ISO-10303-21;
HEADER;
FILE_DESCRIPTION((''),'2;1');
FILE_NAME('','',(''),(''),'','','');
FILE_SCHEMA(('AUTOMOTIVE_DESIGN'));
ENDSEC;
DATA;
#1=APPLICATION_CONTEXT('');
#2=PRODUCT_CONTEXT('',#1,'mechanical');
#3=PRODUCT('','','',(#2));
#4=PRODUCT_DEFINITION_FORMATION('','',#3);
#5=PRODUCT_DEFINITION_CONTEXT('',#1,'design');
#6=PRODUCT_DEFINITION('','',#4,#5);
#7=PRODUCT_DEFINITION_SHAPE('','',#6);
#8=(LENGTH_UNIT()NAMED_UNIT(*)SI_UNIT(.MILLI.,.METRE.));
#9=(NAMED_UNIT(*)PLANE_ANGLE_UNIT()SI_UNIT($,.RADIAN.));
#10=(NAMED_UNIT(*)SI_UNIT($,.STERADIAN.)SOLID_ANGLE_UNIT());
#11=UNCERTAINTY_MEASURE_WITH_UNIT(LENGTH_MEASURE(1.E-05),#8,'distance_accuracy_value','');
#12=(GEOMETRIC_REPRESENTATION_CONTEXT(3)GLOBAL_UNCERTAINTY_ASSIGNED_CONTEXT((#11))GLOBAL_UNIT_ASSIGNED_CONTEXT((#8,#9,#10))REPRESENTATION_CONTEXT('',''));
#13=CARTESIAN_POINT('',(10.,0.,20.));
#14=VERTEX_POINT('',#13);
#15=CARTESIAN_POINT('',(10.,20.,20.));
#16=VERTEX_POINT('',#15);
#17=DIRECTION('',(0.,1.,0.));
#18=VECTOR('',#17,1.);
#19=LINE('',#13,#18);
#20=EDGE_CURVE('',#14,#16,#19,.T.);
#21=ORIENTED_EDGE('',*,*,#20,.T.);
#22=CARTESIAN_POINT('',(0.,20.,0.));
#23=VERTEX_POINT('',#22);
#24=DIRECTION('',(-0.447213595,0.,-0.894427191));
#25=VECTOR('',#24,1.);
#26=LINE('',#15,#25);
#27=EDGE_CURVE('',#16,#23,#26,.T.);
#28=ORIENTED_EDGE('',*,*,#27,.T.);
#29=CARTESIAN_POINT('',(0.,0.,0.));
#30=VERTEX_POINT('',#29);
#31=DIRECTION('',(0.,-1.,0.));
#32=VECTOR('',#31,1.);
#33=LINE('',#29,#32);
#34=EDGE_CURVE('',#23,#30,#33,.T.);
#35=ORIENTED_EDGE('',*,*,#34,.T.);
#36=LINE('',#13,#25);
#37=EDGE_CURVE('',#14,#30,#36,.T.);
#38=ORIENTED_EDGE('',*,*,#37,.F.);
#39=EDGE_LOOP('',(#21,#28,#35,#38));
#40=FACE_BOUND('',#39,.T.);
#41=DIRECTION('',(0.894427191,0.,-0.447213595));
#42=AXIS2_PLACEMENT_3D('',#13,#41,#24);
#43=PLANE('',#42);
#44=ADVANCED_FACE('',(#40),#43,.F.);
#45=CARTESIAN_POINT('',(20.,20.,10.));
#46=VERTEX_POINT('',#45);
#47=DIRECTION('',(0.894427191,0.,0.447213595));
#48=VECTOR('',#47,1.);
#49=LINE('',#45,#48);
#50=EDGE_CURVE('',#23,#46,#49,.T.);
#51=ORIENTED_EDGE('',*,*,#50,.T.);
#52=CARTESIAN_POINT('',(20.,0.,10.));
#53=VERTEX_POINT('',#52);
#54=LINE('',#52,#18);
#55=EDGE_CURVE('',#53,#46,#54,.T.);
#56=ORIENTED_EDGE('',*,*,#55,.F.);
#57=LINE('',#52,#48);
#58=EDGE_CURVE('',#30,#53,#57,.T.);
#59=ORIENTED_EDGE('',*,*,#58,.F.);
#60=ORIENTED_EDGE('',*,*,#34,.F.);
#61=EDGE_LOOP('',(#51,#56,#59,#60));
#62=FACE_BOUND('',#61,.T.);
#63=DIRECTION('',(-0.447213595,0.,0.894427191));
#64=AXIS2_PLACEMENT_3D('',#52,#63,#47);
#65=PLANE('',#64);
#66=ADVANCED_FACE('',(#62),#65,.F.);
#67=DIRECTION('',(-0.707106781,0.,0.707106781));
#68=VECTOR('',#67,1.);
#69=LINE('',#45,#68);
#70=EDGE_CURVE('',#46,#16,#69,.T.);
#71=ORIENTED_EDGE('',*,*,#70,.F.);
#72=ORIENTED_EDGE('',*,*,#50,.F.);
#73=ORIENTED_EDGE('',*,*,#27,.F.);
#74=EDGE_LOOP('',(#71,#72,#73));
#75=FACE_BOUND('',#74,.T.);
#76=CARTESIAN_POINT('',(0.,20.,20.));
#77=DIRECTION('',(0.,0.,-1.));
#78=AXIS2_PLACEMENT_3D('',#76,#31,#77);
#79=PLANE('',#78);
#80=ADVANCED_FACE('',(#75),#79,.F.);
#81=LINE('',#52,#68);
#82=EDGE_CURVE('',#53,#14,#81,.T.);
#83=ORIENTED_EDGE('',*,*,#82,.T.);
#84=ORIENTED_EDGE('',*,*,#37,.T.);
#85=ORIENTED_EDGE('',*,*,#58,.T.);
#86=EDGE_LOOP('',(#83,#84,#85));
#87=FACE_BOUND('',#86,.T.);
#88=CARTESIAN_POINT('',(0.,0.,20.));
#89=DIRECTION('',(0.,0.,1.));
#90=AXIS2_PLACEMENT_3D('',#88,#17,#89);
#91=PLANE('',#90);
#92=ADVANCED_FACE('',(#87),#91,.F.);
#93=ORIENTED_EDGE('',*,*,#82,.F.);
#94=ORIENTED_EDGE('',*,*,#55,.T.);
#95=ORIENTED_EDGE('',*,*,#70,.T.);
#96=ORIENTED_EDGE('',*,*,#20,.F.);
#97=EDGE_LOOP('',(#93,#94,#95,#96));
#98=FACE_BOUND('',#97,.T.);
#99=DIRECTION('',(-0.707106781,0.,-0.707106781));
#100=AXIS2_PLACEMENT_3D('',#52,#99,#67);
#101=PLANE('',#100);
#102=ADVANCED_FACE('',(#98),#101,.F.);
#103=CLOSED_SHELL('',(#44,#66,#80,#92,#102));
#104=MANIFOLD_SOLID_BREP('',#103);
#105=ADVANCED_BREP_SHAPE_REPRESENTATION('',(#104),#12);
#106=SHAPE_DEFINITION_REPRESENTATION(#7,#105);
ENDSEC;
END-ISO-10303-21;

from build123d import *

# Parameters (mm, degrees)
SKETCH1_W           = 20
SKETCH1_H           = 20
BOSS_EXTRUDE1_DEPTH = 20
CUT_EXTRUDE1_DEPTH  = 20
CUT_EXTRUDE2_DEPTH  = 20
CUT_EXTRUDE3_DEPTH  = 20


with BuildPart() as part:
    # Sketch1 → Boss-Extrude1 (new body)
    with BuildSketch(Plane.XY):
        with Locations((10, 10)):
            Rectangle(SKETCH1_W, SKETCH1_H)
    extrude(amount=BOSS_EXTRUDE1_DEPTH)

    # Sketch2 → Cut-Extrude1 (cut)
    with BuildSketch(Plane(origin=(0, 20, 0), x_dir=(1, 0, 0), z_dir=(0, 1, 0))):
        Polygon((0, 0), (20, 0), (20, -10), align=None)
    extrude(amount=-CUT_EXTRUDE1_DEPTH, mode=Mode.SUBTRACT)

    # Sketch3 → Cut-Extrude2 (cut)
    with BuildSketch(Plane(origin=(0, 20, 0), x_dir=(1, 0, 0), z_dir=(0, 1, 0))):
        Polygon((0, 0), (0, -20), (10, -20), align=None)
    extrude(amount=-CUT_EXTRUDE2_DEPTH, mode=Mode.SUBTRACT)

    # Sketch4 → Cut-Extrude3 (cut)
    with BuildSketch(Plane(origin=(0, 20, 0), x_dir=(1, 0, 0), z_dir=(0, 1, 0))):
        Polygon((20, -20), (20, -10), (10, -20), align=None)
    extrude(amount=-CUT_EXTRUDE3_DEPTH, mode=Mode.SUBTRACT)


solid = part.part
